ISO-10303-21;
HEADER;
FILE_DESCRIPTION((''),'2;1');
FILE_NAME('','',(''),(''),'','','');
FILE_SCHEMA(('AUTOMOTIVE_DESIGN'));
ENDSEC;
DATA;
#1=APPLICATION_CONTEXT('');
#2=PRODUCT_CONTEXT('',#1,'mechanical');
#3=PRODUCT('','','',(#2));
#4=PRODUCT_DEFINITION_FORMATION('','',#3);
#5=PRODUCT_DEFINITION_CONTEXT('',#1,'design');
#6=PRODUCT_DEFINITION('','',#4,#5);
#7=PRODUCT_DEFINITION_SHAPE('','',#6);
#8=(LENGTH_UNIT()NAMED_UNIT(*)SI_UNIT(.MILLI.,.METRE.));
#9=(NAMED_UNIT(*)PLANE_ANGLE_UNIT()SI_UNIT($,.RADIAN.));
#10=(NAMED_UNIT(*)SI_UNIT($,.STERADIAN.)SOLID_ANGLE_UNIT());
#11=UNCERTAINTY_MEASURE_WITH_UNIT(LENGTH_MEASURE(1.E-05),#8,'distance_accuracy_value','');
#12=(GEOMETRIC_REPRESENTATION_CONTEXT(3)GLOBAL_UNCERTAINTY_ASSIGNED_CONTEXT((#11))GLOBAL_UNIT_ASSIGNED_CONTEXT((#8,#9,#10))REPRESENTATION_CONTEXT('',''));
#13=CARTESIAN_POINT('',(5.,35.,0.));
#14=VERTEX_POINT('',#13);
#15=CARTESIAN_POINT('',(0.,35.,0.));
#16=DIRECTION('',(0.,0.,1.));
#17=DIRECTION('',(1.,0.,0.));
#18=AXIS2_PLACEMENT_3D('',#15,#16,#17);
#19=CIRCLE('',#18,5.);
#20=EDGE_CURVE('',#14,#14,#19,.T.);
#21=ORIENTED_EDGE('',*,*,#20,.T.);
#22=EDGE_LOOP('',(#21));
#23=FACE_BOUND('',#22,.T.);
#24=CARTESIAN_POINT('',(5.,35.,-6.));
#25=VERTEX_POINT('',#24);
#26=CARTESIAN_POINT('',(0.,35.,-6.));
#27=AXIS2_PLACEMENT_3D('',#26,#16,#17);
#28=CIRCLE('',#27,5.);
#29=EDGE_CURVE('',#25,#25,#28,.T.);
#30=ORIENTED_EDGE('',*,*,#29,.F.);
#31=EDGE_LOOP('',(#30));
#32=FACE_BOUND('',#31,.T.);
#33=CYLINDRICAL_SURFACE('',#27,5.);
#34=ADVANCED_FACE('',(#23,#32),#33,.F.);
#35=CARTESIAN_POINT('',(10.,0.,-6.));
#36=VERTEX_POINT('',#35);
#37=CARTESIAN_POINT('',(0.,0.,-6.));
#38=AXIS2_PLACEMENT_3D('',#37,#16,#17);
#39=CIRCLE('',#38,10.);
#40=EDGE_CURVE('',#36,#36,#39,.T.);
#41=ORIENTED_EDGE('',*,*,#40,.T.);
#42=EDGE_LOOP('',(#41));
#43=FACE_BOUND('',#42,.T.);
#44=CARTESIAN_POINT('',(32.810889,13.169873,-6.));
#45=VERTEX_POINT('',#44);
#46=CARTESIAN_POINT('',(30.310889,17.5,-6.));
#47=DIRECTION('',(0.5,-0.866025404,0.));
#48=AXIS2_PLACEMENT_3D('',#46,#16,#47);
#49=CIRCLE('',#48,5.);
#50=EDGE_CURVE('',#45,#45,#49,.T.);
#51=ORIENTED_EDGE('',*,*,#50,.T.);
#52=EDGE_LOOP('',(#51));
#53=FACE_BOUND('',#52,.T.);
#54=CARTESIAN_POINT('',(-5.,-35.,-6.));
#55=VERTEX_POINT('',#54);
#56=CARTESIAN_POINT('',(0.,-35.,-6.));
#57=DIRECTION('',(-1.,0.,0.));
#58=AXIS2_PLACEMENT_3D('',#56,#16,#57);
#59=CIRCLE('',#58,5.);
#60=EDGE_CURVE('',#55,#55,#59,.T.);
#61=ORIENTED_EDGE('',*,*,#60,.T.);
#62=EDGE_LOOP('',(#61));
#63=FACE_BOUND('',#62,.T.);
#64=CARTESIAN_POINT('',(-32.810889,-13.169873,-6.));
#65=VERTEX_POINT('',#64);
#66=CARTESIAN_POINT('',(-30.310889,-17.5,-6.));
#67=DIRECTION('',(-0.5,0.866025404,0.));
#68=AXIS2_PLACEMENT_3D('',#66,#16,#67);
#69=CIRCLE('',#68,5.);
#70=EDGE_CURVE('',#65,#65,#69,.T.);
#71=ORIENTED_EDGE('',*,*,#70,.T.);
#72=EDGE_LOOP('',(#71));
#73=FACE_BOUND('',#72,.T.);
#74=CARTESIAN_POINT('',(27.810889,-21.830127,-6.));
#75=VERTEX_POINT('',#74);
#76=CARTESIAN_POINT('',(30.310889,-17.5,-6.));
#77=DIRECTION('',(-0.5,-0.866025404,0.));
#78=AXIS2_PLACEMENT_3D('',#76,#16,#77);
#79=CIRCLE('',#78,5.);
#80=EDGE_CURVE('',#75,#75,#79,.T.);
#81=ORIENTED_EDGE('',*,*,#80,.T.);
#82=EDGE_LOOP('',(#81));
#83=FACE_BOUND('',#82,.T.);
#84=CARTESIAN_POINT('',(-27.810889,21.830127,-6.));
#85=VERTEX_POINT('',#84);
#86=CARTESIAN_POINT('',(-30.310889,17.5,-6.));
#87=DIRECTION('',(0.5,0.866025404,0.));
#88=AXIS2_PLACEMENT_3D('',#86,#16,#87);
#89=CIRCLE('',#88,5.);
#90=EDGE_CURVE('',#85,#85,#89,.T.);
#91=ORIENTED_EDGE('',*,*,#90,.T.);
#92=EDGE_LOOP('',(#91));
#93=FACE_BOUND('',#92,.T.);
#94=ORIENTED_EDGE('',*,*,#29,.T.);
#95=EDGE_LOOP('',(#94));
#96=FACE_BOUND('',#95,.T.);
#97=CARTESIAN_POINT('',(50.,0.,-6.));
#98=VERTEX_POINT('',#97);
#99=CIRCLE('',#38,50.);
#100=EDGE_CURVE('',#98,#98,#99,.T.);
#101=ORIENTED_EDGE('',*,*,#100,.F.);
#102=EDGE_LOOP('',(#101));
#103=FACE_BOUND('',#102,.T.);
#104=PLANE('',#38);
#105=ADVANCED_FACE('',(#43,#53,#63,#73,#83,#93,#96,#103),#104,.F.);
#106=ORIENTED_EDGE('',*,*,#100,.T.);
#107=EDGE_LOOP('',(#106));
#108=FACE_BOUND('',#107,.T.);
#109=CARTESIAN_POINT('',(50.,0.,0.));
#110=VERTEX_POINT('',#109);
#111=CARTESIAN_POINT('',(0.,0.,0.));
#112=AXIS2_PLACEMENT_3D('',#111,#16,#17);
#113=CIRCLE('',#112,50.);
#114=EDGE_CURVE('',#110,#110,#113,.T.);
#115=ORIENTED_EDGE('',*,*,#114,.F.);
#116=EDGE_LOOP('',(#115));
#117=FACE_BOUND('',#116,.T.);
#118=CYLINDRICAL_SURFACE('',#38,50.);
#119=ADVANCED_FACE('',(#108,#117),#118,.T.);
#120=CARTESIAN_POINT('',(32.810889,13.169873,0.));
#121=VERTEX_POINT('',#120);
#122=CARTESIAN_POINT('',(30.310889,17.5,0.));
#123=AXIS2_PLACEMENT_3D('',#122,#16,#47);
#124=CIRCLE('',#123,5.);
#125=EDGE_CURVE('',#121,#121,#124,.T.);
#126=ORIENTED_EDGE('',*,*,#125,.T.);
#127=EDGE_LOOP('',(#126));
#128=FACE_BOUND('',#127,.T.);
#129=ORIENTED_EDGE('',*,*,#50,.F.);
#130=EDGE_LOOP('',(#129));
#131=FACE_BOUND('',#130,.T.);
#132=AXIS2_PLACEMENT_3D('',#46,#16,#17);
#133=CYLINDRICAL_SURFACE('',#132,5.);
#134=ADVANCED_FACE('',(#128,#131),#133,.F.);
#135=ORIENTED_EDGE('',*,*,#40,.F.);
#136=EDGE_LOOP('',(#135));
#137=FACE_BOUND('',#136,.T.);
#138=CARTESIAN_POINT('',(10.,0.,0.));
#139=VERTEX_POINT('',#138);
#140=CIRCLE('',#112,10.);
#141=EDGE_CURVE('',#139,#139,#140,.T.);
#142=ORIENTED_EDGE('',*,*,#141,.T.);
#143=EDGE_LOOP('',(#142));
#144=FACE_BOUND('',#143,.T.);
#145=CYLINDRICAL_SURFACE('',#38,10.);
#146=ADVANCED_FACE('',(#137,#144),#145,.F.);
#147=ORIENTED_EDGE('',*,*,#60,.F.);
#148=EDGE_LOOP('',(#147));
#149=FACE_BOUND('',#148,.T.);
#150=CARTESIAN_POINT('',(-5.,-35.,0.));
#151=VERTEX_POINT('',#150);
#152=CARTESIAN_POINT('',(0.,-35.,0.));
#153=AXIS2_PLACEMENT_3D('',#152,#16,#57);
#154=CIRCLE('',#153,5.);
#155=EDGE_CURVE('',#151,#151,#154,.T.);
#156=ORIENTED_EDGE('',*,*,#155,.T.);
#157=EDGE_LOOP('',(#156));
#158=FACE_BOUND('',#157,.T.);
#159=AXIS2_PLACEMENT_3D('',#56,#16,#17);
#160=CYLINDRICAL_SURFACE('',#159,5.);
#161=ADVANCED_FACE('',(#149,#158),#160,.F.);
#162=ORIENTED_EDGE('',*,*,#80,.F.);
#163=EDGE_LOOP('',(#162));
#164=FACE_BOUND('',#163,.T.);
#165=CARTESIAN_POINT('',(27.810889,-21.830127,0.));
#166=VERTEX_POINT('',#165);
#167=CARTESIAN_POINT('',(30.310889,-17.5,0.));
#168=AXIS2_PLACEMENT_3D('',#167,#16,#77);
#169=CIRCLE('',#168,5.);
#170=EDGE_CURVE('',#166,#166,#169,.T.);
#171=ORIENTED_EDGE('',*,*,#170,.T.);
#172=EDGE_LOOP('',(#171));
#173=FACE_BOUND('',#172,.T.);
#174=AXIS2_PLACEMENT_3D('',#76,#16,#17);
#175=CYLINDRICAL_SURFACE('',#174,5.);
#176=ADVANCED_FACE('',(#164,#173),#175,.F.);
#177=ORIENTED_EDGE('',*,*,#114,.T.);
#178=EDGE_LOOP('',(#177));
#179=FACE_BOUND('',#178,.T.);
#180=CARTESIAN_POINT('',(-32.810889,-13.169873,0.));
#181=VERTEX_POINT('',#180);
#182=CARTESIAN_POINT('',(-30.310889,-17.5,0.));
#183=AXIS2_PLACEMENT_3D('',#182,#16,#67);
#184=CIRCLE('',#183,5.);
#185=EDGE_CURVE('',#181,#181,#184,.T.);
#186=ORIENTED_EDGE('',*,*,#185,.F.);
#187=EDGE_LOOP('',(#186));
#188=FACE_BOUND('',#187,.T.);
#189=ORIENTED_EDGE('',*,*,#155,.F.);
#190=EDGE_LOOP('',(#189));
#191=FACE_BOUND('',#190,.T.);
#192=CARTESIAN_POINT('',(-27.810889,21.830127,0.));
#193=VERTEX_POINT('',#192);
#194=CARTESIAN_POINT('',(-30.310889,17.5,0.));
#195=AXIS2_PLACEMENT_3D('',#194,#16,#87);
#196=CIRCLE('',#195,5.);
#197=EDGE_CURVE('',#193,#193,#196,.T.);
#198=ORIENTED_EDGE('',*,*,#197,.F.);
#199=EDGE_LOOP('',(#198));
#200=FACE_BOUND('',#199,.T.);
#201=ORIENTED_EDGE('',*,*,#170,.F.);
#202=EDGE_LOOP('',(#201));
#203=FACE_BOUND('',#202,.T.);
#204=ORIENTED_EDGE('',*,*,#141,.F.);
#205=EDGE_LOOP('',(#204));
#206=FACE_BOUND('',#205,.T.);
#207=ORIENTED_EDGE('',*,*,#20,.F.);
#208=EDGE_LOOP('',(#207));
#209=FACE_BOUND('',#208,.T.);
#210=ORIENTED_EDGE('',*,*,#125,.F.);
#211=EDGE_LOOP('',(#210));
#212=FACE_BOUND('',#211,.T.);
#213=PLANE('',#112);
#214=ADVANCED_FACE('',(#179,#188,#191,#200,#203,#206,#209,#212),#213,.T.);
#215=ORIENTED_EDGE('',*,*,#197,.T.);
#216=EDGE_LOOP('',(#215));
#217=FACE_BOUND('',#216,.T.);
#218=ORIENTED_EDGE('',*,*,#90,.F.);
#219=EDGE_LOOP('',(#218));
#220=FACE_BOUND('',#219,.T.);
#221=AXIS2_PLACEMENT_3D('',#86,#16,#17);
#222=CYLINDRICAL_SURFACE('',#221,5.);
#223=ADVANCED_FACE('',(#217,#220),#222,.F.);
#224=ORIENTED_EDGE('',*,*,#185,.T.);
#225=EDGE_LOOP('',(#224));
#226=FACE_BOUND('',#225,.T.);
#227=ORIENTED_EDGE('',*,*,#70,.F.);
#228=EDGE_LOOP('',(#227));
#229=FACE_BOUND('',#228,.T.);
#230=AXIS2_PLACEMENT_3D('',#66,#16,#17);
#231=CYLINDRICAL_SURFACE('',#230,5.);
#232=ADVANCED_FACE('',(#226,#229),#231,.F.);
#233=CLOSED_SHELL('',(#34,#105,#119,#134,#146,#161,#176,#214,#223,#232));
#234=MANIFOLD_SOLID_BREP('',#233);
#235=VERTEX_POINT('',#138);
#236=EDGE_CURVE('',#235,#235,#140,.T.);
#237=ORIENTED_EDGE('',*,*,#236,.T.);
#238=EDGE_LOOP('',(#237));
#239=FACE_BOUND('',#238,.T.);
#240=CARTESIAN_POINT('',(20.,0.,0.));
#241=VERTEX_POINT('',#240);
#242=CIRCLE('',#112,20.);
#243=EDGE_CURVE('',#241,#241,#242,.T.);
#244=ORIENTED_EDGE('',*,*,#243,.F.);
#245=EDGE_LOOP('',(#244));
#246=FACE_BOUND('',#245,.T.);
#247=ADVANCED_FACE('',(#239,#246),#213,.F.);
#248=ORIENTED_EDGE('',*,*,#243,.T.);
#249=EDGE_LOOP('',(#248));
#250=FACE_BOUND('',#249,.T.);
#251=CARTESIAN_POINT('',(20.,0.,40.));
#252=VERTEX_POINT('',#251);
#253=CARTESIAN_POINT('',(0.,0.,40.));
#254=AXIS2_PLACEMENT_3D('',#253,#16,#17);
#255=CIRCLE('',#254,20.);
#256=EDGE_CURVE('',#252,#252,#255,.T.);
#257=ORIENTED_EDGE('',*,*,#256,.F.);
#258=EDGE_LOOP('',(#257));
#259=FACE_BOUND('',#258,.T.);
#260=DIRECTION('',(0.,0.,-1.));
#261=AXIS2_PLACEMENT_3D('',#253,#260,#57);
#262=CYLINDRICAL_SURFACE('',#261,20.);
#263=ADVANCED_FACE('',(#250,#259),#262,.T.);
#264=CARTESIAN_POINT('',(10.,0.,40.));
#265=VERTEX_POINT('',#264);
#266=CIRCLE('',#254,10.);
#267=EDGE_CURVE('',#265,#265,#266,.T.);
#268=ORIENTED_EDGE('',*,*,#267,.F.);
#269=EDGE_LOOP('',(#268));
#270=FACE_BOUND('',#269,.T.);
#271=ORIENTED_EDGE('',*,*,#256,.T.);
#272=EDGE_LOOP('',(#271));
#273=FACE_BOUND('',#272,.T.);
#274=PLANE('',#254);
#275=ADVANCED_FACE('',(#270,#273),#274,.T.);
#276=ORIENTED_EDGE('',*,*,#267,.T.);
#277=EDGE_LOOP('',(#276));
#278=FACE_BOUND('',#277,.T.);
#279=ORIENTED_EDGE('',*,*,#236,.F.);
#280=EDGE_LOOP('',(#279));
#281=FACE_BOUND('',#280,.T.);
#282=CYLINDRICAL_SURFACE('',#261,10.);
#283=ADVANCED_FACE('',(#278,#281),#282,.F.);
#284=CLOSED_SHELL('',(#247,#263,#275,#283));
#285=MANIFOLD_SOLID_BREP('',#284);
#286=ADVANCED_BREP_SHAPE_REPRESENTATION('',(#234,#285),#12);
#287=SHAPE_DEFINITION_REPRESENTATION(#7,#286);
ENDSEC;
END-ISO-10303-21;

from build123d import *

# Parameters (mm, degrees)
SKETCH1_R           = 50
SKETCH1_R_2         = 10
BOSS_EXTRUDE1_DEPTH = 6
SKETCH1_3_R         = 20
SKETCH1_3_R_2       = 10
BOSS_EXTRUDE2_DEPTH = 40
SKETCH1_4_R         = 5
CUT_EXTRUDE1_DEPTH  = 82.240384046
CIRPATTERN1_COUNT   = 6


with BuildPart() as part:
    # Sketch1 → Boss-Extrude1 (new body)
    with BuildSketch(Plane.XY):
        Circle(SKETCH1_R)
        Circle(SKETCH1_R_2, mode=Mode.SUBTRACT)
    extrude(amount=-BOSS_EXTRUDE1_DEPTH)

    # Sketch1<4> → Cut-Extrude1 (cut, through all)
    with BuildSketch(Plane.XY):
        with Locations((0, 35)):
            Circle(SKETCH1_4_R)
    cut_extrude1 = extrude(amount=-CUT_EXTRUDE1_DEPTH, mode=Mode.SUBTRACT)

    # CirPattern1: Cut-Extrude1 ×6 about axis
    cirpattern1_axis = Axis((0, 0, 40), (0, 0, -1))
    for i in range(1, CIRPATTERN1_COUNT):
        add(cut_extrude1.rotate(cirpattern1_axis, i * 360 / CIRPATTERN1_COUNT), mode=Mode.SUBTRACT)


with BuildPart() as body_2:
    # Sketch1<3> → Boss-Extrude2 (new body)
    with BuildSketch(Plane.XY):
        Circle(SKETCH1_3_R)
        Circle(SKETCH1_3_R_2, mode=Mode.SUBTRACT)
    extrude(amount=BOSS_EXTRUDE2_DEPTH)


solid = Compound([part.part, body_2.part])
